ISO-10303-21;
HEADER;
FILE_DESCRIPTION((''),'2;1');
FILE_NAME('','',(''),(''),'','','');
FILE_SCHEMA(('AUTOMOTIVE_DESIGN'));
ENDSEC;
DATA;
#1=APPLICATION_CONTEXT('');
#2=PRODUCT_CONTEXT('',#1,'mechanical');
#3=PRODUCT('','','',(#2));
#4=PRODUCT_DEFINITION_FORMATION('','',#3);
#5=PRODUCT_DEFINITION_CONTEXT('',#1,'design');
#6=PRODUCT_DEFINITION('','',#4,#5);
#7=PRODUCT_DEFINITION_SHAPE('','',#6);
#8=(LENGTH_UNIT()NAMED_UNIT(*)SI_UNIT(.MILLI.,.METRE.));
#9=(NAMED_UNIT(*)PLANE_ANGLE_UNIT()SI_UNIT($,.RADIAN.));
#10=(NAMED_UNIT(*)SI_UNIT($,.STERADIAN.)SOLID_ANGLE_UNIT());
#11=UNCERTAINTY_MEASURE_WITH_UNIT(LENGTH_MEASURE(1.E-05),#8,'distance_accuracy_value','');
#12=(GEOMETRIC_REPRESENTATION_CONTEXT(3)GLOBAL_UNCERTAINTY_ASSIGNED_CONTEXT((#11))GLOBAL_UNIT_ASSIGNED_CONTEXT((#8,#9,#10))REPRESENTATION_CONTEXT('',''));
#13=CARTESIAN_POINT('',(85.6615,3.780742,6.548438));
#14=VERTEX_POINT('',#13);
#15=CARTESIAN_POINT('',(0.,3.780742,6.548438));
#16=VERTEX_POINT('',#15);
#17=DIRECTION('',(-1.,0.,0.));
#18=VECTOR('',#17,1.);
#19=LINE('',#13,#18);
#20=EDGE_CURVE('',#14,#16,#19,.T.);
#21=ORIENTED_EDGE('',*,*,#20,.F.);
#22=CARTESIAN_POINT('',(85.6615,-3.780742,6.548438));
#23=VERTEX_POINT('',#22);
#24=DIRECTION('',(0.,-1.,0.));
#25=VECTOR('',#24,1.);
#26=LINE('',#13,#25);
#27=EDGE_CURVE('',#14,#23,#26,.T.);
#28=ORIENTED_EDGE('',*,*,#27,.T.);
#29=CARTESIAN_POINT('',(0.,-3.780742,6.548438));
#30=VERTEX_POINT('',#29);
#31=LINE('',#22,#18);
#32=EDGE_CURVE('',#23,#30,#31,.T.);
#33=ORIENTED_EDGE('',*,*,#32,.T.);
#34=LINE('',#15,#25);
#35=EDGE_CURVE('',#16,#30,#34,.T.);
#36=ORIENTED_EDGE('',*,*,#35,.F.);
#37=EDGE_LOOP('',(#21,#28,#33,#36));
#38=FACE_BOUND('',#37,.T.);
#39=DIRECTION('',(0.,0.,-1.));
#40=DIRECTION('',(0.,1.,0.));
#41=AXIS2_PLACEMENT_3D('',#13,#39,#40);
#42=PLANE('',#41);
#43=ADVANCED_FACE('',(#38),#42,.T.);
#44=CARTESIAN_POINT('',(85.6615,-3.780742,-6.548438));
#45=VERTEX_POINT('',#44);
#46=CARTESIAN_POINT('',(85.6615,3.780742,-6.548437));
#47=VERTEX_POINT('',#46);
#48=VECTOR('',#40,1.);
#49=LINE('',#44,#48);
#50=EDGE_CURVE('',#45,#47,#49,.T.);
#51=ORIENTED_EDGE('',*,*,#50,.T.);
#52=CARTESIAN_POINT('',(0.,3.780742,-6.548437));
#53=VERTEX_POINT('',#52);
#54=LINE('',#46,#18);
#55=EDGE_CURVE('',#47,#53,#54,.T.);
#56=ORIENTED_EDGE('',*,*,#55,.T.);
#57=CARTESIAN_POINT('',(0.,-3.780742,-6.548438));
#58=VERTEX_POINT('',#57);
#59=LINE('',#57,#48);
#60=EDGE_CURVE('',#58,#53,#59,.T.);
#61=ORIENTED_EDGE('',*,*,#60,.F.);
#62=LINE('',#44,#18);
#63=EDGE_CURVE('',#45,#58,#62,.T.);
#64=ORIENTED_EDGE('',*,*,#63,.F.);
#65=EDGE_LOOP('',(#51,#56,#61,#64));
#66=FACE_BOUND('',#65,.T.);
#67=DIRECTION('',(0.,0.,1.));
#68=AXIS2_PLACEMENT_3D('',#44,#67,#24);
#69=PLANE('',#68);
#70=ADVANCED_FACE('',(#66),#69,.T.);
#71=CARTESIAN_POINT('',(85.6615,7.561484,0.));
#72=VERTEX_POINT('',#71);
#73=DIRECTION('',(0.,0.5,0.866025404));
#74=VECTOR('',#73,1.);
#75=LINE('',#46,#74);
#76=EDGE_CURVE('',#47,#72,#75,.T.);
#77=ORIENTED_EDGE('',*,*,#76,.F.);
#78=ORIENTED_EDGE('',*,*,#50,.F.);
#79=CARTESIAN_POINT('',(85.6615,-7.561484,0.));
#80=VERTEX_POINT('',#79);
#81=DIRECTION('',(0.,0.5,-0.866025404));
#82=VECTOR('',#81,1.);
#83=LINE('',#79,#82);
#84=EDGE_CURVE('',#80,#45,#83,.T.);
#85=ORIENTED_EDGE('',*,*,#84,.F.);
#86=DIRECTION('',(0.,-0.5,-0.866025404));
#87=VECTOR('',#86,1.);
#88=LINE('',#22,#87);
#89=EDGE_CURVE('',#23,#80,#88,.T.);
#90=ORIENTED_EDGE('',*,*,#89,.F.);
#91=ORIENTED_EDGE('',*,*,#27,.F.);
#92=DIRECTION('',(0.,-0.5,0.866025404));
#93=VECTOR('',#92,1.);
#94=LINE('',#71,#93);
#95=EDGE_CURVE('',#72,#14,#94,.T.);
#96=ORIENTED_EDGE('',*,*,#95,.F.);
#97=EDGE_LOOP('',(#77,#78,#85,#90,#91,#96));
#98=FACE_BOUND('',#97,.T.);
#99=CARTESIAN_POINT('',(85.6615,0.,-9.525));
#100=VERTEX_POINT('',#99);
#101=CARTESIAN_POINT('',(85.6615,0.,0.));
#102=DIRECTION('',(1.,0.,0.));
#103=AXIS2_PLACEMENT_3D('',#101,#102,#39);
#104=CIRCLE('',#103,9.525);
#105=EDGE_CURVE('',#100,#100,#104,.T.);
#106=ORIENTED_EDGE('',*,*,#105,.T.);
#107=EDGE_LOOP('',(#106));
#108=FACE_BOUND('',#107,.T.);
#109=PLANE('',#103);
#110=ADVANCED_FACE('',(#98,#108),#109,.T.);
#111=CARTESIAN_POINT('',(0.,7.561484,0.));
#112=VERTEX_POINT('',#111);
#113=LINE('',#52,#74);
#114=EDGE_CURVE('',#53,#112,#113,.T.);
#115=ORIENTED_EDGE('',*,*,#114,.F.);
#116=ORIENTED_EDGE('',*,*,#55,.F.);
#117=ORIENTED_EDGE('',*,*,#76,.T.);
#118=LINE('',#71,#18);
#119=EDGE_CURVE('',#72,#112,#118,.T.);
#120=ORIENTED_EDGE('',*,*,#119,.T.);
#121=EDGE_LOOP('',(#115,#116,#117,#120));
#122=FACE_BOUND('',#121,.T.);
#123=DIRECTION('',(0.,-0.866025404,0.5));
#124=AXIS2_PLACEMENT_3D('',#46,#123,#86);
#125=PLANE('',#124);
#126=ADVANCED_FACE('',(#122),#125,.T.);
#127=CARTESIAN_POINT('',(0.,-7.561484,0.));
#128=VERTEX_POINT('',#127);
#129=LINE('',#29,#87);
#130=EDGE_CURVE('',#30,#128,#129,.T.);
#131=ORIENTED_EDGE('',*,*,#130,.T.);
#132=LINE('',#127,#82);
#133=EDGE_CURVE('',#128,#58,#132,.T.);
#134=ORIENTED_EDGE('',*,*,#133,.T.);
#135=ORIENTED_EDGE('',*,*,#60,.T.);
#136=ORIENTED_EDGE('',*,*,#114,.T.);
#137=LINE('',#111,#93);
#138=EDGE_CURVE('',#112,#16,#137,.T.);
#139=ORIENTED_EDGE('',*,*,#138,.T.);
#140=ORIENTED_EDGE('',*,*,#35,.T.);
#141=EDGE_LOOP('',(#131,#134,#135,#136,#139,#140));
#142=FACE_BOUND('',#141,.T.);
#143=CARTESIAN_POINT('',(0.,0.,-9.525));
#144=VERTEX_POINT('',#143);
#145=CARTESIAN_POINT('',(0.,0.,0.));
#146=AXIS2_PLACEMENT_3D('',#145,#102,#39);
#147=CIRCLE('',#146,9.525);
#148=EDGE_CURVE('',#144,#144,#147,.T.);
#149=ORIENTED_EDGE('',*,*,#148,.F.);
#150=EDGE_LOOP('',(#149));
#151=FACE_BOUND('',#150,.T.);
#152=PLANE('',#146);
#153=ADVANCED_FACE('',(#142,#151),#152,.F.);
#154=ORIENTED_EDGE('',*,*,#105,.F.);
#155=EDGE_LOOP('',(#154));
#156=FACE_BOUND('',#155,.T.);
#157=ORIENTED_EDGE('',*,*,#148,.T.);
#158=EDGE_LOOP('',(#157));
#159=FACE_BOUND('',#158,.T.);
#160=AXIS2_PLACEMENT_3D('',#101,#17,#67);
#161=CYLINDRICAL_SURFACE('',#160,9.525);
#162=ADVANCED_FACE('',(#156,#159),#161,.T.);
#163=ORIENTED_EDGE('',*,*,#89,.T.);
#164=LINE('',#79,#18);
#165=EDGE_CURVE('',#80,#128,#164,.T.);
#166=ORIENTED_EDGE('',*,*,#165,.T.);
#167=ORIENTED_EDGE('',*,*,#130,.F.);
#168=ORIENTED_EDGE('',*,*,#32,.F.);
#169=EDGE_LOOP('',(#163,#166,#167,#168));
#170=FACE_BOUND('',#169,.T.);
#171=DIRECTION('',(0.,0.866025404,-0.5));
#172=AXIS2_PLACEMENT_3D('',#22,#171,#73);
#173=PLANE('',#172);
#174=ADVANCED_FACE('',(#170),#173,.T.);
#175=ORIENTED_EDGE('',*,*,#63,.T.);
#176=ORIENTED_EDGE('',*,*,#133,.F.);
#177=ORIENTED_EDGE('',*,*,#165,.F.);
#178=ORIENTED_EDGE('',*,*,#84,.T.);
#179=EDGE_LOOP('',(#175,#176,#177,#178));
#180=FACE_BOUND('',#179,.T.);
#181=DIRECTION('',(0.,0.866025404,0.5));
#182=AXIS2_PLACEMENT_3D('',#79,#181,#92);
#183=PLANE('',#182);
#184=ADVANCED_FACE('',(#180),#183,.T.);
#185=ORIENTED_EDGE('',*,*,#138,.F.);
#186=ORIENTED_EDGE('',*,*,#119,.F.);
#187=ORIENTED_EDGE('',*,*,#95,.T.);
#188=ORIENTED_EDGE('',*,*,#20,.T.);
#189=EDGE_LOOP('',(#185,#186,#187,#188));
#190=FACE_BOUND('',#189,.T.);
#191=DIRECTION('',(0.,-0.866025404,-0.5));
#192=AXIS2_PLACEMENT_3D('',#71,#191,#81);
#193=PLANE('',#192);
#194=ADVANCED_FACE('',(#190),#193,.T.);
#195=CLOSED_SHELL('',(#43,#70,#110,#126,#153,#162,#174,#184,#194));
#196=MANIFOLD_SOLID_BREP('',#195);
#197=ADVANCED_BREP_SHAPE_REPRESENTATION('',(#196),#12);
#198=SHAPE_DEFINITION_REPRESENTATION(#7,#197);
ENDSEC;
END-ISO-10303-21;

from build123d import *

# Parameters (mm, degrees)
SKETCH1_R           = 9.525
BOSS_EXTRUDE1_DEPTH = 85.6615


with BuildPart() as part:
    # Sketch1 → Boss-Extrude1 (new body)
    with BuildSketch(Plane(origin=(0, 0, 0), x_dir=(0, 0, -1), z_dir=(1, 0, 0))):
        Circle(SKETCH1_R)
        Polygon((0, 7.561484307), (-6.5484375, 3.780742153), (-6.5484375, -3.780742153), (0, -7.561484307), (6.5484375, -3.780742153), (6.5484375, 3.780742153), align=None, mode=Mode.SUBTRACT)
    extrude(amount=BOSS_EXTRUDE1_DEPTH)


solid = part.part
